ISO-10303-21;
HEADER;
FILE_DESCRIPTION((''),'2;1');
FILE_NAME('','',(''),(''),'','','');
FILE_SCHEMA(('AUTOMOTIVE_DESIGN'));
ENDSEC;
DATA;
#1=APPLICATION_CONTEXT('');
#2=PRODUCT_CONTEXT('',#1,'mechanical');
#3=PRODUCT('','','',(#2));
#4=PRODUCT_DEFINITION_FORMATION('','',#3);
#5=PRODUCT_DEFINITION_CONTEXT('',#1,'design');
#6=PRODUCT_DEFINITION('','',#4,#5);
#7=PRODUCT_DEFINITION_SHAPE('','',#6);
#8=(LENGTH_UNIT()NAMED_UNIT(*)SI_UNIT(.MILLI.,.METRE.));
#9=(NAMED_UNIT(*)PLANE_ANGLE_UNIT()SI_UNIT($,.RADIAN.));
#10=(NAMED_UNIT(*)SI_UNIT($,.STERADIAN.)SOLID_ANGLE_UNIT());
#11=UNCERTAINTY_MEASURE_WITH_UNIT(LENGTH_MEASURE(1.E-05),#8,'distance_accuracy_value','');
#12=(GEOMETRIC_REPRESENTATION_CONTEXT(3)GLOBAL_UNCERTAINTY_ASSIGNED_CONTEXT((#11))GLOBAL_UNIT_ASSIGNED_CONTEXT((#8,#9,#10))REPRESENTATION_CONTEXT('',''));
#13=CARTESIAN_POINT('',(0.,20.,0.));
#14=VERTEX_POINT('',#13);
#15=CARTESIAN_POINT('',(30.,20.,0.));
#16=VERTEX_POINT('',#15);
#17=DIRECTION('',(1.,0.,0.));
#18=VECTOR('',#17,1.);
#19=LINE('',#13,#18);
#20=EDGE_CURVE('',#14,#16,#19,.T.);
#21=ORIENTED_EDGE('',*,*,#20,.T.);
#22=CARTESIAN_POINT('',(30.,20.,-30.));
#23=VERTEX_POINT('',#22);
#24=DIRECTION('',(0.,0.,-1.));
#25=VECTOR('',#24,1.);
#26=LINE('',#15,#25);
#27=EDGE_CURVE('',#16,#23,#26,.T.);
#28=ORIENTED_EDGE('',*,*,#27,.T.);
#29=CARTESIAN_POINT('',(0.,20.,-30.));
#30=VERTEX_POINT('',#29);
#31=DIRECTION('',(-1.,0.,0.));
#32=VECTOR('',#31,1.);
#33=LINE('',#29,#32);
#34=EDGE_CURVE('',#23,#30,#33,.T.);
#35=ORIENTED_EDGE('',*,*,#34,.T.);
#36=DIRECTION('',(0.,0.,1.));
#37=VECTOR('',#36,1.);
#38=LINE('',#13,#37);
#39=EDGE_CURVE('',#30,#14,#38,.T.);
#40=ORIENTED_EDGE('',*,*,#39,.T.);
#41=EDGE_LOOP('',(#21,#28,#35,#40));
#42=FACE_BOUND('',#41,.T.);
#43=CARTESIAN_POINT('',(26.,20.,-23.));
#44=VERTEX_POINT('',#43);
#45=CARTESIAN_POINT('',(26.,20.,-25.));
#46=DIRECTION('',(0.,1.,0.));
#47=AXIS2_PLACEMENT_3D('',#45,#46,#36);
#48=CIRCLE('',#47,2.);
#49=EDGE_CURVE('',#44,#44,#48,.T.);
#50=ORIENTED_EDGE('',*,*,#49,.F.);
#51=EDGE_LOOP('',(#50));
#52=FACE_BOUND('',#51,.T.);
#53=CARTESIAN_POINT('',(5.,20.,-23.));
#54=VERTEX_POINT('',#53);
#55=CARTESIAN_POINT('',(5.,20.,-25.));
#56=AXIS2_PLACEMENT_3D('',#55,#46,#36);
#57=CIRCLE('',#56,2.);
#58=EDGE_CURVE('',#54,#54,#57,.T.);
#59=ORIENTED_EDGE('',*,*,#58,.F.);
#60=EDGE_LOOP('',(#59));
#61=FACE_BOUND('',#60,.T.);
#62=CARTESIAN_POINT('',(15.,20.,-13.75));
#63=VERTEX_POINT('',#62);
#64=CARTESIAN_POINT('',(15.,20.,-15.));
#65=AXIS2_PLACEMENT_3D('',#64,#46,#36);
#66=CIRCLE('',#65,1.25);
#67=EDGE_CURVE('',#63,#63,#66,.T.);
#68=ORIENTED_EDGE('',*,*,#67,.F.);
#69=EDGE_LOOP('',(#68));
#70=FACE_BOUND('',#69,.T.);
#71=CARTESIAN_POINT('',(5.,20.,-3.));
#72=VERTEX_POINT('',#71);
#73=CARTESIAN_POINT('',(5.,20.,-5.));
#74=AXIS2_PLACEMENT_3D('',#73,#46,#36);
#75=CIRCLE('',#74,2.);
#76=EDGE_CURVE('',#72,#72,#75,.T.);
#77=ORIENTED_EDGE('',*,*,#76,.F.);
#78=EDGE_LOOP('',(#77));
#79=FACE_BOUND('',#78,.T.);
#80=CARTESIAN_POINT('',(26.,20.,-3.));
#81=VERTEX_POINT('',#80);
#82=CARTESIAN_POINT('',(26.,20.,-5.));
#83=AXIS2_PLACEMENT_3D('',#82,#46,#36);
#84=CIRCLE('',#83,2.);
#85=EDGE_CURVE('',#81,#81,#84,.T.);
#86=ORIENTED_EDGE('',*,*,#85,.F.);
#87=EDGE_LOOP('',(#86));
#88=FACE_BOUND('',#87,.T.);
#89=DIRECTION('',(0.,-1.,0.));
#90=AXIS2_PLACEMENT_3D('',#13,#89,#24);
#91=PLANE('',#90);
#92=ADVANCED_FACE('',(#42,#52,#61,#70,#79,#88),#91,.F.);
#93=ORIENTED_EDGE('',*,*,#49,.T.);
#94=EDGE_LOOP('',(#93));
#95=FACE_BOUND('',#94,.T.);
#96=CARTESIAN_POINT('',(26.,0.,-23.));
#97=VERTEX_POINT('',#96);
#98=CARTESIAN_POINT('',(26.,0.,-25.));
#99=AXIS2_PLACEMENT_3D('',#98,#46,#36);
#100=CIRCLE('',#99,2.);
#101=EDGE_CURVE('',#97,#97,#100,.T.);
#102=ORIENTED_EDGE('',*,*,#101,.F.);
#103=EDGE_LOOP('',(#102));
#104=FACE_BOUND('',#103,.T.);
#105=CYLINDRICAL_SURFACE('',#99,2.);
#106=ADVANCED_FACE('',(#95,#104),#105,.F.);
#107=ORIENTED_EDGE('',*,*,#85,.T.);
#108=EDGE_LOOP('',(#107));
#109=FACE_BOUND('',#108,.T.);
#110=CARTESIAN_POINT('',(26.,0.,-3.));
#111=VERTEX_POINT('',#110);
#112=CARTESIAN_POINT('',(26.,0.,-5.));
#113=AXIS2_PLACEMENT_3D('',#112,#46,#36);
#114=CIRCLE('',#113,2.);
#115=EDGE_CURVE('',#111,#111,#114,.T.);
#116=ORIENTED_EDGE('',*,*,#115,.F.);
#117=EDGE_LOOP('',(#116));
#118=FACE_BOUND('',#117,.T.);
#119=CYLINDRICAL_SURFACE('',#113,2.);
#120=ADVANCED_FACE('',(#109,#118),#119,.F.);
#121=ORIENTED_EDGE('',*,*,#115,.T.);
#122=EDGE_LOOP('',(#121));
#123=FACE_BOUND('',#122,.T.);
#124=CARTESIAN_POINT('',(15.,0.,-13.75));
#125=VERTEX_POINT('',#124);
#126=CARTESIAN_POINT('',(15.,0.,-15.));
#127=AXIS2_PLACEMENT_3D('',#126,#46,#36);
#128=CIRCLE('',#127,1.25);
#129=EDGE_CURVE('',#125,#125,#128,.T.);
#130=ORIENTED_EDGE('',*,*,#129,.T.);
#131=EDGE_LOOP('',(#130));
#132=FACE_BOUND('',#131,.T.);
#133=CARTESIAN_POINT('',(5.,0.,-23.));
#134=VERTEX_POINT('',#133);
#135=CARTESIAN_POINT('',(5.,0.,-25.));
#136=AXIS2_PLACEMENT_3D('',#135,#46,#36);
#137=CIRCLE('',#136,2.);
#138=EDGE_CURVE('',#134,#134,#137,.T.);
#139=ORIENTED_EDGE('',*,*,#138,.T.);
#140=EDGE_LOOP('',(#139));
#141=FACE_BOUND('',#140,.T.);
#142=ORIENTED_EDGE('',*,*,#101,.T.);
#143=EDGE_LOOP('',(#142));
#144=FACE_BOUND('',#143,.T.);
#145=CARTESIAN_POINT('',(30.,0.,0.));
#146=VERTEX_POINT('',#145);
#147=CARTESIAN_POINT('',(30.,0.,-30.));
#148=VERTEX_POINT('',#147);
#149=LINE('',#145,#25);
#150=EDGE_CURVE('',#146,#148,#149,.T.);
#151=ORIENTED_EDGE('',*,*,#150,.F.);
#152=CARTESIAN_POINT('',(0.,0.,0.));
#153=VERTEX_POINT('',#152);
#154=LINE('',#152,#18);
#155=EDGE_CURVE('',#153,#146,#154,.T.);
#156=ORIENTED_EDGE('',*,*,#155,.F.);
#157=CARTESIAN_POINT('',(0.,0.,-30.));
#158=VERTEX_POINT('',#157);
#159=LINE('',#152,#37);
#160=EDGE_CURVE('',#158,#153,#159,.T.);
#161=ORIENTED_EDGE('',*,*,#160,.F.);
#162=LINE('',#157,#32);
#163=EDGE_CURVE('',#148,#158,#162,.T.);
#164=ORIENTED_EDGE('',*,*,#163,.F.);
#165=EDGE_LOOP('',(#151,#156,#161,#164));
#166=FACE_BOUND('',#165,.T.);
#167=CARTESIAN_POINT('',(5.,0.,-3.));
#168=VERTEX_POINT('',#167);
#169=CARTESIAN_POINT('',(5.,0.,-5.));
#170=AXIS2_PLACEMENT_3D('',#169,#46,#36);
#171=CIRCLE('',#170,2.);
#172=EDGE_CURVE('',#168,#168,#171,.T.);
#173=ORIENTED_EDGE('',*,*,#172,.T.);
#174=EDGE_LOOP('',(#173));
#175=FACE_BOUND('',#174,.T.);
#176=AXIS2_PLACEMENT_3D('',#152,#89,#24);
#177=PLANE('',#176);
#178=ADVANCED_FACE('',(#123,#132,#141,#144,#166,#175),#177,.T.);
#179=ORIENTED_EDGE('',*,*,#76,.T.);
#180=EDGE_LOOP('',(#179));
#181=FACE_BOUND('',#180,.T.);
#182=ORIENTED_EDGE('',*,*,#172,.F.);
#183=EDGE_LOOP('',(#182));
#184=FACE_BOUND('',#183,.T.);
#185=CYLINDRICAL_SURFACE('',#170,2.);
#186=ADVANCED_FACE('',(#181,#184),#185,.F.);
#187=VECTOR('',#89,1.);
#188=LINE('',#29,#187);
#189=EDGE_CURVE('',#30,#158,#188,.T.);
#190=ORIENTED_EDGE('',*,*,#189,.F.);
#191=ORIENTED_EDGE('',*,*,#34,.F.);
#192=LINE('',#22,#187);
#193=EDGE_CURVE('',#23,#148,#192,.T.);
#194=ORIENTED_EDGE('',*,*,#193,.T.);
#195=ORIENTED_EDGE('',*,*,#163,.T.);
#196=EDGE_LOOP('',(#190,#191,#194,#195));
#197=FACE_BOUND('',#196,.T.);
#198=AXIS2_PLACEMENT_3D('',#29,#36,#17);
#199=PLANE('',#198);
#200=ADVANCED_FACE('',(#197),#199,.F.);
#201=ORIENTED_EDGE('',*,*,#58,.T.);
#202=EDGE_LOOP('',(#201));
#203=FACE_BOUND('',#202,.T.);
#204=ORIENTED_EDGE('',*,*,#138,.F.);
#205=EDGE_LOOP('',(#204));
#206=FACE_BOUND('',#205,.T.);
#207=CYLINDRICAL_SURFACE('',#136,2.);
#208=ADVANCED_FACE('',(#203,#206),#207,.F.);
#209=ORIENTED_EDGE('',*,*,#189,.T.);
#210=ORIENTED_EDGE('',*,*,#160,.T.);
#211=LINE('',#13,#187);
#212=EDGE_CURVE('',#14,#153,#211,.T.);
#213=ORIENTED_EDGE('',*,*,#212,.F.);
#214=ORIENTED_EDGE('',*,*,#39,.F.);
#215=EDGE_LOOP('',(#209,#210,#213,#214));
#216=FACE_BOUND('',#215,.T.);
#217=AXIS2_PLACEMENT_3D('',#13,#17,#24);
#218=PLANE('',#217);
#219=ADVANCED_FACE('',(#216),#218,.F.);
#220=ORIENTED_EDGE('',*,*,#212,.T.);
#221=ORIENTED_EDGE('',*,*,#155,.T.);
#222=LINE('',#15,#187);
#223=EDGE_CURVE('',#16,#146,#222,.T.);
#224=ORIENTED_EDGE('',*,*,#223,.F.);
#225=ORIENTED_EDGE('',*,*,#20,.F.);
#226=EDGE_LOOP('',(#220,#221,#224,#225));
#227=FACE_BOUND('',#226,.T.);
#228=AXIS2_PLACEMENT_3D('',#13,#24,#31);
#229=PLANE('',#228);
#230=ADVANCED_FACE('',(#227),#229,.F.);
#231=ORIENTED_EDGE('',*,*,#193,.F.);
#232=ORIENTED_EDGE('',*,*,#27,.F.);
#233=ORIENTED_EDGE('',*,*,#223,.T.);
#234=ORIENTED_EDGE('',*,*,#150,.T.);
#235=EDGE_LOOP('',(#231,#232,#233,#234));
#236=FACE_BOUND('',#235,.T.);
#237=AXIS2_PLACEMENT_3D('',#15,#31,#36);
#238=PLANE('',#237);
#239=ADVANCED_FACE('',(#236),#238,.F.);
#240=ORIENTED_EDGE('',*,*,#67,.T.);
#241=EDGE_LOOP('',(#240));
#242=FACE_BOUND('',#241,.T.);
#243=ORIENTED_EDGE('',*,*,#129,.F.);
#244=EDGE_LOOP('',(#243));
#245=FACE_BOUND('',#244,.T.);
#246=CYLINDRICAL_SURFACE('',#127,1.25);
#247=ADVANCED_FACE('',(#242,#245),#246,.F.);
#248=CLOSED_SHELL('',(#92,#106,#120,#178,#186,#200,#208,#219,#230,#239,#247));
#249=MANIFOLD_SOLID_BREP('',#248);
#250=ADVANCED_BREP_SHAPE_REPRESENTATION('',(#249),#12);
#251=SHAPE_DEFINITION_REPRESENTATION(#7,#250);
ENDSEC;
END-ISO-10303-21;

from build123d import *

# Parameters (mm, degrees)
SKETCH1_W           = 30
SKETCH1_H           = 30
BOSS_EXTRUDE1_DEPTH = 20
SKETCH2_R           = 2
SKETCH2_R_2         = 1.25
CUT_EXTRUDE1_DEPTH  = 20


with BuildPart() as part:
    # Sketch1 → Boss-Extrude1 (new body)
    with BuildSketch(Plane(origin=(0, 0, 0), x_dir=(1, 0, 0), z_dir=(0, 1, 0))):
        with Locations((15, 15)):
            Rectangle(SKETCH1_W, SKETCH1_H)
    extrude(amount=BOSS_EXTRUDE1_DEPTH)

    # Sketch2 → Cut-Extrude1 (cut)
    with BuildSketch(Plane(origin=(0, 20, 0), x_dir=(1, 0, 0), z_dir=(0, 1, 0))):
        with Locations((5, 25)):
            Circle(SKETCH2_R)
        with Locations((5, 5)):
            Circle(SKETCH2_R)
        with Locations((26, 5)):
            Circle(SKETCH2_R)
        with Locations((26, 25)):
            Circle(SKETCH2_R)
        with Locations((15, 15)):
            Circle(SKETCH2_R_2)
    extrude(amount=-CUT_EXTRUDE1_DEPTH, mode=Mode.SUBTRACT)


solid = part.part
